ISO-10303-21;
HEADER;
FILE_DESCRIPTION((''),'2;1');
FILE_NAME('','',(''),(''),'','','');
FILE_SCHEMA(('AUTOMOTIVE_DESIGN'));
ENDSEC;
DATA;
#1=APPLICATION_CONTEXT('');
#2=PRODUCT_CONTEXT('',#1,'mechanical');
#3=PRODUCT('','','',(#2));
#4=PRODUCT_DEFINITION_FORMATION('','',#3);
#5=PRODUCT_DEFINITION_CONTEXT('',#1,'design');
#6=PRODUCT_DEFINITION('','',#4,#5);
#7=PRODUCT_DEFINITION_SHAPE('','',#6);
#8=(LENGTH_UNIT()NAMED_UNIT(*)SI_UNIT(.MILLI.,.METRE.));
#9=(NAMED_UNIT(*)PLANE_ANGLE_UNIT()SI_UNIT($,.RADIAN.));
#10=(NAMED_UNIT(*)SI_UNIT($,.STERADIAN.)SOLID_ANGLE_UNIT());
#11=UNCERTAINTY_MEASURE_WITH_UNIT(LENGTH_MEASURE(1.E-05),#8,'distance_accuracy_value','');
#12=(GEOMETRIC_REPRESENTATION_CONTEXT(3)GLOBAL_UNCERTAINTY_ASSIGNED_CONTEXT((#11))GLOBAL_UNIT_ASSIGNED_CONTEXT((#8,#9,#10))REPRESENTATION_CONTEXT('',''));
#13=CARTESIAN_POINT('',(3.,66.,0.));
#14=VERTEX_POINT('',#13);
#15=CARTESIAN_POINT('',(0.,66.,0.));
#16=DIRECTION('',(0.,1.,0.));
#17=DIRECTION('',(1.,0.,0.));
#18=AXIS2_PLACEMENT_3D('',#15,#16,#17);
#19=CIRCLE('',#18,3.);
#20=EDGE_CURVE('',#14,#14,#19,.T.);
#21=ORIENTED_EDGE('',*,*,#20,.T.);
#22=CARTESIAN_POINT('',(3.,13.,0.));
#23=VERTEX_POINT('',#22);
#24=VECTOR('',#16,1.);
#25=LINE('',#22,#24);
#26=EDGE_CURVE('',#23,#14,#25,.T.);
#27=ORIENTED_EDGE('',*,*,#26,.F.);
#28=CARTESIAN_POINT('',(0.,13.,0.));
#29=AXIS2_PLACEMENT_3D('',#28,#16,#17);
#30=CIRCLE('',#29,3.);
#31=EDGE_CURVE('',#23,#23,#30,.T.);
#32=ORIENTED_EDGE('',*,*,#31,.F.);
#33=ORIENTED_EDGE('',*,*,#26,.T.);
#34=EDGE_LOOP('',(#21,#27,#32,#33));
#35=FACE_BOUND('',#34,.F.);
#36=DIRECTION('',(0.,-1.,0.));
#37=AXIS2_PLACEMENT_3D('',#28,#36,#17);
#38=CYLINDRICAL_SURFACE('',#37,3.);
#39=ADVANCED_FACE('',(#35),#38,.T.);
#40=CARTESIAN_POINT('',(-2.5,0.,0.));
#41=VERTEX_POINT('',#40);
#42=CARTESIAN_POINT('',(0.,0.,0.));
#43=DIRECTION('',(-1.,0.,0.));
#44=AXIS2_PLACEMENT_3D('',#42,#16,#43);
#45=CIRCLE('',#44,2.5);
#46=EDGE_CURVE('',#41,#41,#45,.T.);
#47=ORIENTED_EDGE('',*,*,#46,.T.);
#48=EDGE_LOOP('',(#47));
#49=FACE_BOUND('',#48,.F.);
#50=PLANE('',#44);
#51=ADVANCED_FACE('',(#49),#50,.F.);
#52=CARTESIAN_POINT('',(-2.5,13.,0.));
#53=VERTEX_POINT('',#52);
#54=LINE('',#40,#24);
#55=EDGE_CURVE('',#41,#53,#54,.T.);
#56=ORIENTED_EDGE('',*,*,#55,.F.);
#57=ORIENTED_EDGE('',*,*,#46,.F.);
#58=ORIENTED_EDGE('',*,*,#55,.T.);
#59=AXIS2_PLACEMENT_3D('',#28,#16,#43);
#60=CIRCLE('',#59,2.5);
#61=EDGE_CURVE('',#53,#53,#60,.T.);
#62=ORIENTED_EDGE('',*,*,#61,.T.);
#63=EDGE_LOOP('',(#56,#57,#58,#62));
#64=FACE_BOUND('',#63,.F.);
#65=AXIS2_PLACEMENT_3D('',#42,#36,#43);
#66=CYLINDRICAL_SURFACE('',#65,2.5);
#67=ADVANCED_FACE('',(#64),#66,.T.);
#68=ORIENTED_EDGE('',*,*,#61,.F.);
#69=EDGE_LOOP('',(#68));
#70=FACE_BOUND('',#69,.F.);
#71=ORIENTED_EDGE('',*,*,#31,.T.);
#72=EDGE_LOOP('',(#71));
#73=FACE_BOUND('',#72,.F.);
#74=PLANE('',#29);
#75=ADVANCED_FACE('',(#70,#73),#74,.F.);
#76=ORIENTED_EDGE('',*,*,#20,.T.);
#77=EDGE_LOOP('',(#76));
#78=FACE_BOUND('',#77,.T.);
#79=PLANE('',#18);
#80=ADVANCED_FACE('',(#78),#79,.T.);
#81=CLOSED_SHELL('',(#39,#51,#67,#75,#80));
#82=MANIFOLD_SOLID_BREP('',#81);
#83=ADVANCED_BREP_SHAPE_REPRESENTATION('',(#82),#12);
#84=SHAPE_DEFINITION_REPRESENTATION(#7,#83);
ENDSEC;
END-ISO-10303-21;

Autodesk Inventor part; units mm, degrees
ref_plane "YZ Plane" through (0, 0, 0) normal (1, 0, 0) x (0, 1, 0)
ref_plane "XZ Plane" through (0, 0, 0) normal (0, 1, 0) x (-1, 0, 0)
ref_plane "XY Plane" through (0, 0, 0) normal (0, 0, 1) x (1, 0, 0)
sketch "Sketch1" plane through (0, 0, 0) normal (0, 1, 0) x (-1, 0, 0)
  circle A0 centre (0, 0) radius 2.5
  dimension "d0" = 5
extrude "Extrusion1" add sketch "Sketch1" along normal blind 13
sketch "Sketch2" plane through (0, 13, 0) normal (0, 1, 0) x (1, 0, 0)
  circle A0 centre (0, 0) radius 3
  dimension "d3" = 6
extrude "Extrusion2" add sketch "Sketch2" along normal blind 53
thread "Thread1" size "M5x0.8" class "6g" standard "ANSI Metric M Profile" length 8 offset 5
thread "Thread2" size "M6x1" class "6g" standard "ANSI Metric M Profile" length 8
properties part number "reverse gear pistion rod"
